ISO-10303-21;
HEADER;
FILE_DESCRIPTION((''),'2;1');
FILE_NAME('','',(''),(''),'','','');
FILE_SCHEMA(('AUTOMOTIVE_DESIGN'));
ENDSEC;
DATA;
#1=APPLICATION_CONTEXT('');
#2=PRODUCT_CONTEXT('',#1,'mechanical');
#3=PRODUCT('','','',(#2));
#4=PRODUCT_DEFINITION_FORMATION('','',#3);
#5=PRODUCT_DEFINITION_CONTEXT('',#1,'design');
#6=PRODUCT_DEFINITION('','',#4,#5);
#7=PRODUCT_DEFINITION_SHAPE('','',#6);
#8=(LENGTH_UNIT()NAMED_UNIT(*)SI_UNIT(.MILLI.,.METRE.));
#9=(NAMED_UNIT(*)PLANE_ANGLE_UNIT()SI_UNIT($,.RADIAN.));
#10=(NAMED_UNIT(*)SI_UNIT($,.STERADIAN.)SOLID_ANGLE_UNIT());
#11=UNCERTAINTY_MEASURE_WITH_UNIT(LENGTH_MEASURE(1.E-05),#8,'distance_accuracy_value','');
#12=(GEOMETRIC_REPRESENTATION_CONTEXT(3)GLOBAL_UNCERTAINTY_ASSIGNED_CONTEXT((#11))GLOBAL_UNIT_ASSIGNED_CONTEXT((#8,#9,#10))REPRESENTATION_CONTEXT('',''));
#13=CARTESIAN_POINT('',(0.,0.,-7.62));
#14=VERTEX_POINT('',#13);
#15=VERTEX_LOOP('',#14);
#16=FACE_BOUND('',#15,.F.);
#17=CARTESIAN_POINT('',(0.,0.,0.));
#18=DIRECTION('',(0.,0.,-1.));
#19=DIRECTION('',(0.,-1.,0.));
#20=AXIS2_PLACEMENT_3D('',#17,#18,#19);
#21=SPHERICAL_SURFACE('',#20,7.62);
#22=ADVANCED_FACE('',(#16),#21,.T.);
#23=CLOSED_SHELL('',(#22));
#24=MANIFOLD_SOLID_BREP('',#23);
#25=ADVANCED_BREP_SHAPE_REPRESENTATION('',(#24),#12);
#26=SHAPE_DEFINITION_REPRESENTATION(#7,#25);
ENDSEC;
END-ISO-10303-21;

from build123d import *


with BuildPart() as f2:
    # F0 (on Right) → F2 (revolve)
    with BuildSketch(Plane.YZ):
        with BuildLine():
            Line((0, -7.62), (0, 7.62))
            ThreePointArc((0, 7.62), (-7.62, 0), (0, -7.62))
        make_face()
    revolve(axis=Axis((0, 0, 0), (0, 0, 1)))


solid = f2.part
